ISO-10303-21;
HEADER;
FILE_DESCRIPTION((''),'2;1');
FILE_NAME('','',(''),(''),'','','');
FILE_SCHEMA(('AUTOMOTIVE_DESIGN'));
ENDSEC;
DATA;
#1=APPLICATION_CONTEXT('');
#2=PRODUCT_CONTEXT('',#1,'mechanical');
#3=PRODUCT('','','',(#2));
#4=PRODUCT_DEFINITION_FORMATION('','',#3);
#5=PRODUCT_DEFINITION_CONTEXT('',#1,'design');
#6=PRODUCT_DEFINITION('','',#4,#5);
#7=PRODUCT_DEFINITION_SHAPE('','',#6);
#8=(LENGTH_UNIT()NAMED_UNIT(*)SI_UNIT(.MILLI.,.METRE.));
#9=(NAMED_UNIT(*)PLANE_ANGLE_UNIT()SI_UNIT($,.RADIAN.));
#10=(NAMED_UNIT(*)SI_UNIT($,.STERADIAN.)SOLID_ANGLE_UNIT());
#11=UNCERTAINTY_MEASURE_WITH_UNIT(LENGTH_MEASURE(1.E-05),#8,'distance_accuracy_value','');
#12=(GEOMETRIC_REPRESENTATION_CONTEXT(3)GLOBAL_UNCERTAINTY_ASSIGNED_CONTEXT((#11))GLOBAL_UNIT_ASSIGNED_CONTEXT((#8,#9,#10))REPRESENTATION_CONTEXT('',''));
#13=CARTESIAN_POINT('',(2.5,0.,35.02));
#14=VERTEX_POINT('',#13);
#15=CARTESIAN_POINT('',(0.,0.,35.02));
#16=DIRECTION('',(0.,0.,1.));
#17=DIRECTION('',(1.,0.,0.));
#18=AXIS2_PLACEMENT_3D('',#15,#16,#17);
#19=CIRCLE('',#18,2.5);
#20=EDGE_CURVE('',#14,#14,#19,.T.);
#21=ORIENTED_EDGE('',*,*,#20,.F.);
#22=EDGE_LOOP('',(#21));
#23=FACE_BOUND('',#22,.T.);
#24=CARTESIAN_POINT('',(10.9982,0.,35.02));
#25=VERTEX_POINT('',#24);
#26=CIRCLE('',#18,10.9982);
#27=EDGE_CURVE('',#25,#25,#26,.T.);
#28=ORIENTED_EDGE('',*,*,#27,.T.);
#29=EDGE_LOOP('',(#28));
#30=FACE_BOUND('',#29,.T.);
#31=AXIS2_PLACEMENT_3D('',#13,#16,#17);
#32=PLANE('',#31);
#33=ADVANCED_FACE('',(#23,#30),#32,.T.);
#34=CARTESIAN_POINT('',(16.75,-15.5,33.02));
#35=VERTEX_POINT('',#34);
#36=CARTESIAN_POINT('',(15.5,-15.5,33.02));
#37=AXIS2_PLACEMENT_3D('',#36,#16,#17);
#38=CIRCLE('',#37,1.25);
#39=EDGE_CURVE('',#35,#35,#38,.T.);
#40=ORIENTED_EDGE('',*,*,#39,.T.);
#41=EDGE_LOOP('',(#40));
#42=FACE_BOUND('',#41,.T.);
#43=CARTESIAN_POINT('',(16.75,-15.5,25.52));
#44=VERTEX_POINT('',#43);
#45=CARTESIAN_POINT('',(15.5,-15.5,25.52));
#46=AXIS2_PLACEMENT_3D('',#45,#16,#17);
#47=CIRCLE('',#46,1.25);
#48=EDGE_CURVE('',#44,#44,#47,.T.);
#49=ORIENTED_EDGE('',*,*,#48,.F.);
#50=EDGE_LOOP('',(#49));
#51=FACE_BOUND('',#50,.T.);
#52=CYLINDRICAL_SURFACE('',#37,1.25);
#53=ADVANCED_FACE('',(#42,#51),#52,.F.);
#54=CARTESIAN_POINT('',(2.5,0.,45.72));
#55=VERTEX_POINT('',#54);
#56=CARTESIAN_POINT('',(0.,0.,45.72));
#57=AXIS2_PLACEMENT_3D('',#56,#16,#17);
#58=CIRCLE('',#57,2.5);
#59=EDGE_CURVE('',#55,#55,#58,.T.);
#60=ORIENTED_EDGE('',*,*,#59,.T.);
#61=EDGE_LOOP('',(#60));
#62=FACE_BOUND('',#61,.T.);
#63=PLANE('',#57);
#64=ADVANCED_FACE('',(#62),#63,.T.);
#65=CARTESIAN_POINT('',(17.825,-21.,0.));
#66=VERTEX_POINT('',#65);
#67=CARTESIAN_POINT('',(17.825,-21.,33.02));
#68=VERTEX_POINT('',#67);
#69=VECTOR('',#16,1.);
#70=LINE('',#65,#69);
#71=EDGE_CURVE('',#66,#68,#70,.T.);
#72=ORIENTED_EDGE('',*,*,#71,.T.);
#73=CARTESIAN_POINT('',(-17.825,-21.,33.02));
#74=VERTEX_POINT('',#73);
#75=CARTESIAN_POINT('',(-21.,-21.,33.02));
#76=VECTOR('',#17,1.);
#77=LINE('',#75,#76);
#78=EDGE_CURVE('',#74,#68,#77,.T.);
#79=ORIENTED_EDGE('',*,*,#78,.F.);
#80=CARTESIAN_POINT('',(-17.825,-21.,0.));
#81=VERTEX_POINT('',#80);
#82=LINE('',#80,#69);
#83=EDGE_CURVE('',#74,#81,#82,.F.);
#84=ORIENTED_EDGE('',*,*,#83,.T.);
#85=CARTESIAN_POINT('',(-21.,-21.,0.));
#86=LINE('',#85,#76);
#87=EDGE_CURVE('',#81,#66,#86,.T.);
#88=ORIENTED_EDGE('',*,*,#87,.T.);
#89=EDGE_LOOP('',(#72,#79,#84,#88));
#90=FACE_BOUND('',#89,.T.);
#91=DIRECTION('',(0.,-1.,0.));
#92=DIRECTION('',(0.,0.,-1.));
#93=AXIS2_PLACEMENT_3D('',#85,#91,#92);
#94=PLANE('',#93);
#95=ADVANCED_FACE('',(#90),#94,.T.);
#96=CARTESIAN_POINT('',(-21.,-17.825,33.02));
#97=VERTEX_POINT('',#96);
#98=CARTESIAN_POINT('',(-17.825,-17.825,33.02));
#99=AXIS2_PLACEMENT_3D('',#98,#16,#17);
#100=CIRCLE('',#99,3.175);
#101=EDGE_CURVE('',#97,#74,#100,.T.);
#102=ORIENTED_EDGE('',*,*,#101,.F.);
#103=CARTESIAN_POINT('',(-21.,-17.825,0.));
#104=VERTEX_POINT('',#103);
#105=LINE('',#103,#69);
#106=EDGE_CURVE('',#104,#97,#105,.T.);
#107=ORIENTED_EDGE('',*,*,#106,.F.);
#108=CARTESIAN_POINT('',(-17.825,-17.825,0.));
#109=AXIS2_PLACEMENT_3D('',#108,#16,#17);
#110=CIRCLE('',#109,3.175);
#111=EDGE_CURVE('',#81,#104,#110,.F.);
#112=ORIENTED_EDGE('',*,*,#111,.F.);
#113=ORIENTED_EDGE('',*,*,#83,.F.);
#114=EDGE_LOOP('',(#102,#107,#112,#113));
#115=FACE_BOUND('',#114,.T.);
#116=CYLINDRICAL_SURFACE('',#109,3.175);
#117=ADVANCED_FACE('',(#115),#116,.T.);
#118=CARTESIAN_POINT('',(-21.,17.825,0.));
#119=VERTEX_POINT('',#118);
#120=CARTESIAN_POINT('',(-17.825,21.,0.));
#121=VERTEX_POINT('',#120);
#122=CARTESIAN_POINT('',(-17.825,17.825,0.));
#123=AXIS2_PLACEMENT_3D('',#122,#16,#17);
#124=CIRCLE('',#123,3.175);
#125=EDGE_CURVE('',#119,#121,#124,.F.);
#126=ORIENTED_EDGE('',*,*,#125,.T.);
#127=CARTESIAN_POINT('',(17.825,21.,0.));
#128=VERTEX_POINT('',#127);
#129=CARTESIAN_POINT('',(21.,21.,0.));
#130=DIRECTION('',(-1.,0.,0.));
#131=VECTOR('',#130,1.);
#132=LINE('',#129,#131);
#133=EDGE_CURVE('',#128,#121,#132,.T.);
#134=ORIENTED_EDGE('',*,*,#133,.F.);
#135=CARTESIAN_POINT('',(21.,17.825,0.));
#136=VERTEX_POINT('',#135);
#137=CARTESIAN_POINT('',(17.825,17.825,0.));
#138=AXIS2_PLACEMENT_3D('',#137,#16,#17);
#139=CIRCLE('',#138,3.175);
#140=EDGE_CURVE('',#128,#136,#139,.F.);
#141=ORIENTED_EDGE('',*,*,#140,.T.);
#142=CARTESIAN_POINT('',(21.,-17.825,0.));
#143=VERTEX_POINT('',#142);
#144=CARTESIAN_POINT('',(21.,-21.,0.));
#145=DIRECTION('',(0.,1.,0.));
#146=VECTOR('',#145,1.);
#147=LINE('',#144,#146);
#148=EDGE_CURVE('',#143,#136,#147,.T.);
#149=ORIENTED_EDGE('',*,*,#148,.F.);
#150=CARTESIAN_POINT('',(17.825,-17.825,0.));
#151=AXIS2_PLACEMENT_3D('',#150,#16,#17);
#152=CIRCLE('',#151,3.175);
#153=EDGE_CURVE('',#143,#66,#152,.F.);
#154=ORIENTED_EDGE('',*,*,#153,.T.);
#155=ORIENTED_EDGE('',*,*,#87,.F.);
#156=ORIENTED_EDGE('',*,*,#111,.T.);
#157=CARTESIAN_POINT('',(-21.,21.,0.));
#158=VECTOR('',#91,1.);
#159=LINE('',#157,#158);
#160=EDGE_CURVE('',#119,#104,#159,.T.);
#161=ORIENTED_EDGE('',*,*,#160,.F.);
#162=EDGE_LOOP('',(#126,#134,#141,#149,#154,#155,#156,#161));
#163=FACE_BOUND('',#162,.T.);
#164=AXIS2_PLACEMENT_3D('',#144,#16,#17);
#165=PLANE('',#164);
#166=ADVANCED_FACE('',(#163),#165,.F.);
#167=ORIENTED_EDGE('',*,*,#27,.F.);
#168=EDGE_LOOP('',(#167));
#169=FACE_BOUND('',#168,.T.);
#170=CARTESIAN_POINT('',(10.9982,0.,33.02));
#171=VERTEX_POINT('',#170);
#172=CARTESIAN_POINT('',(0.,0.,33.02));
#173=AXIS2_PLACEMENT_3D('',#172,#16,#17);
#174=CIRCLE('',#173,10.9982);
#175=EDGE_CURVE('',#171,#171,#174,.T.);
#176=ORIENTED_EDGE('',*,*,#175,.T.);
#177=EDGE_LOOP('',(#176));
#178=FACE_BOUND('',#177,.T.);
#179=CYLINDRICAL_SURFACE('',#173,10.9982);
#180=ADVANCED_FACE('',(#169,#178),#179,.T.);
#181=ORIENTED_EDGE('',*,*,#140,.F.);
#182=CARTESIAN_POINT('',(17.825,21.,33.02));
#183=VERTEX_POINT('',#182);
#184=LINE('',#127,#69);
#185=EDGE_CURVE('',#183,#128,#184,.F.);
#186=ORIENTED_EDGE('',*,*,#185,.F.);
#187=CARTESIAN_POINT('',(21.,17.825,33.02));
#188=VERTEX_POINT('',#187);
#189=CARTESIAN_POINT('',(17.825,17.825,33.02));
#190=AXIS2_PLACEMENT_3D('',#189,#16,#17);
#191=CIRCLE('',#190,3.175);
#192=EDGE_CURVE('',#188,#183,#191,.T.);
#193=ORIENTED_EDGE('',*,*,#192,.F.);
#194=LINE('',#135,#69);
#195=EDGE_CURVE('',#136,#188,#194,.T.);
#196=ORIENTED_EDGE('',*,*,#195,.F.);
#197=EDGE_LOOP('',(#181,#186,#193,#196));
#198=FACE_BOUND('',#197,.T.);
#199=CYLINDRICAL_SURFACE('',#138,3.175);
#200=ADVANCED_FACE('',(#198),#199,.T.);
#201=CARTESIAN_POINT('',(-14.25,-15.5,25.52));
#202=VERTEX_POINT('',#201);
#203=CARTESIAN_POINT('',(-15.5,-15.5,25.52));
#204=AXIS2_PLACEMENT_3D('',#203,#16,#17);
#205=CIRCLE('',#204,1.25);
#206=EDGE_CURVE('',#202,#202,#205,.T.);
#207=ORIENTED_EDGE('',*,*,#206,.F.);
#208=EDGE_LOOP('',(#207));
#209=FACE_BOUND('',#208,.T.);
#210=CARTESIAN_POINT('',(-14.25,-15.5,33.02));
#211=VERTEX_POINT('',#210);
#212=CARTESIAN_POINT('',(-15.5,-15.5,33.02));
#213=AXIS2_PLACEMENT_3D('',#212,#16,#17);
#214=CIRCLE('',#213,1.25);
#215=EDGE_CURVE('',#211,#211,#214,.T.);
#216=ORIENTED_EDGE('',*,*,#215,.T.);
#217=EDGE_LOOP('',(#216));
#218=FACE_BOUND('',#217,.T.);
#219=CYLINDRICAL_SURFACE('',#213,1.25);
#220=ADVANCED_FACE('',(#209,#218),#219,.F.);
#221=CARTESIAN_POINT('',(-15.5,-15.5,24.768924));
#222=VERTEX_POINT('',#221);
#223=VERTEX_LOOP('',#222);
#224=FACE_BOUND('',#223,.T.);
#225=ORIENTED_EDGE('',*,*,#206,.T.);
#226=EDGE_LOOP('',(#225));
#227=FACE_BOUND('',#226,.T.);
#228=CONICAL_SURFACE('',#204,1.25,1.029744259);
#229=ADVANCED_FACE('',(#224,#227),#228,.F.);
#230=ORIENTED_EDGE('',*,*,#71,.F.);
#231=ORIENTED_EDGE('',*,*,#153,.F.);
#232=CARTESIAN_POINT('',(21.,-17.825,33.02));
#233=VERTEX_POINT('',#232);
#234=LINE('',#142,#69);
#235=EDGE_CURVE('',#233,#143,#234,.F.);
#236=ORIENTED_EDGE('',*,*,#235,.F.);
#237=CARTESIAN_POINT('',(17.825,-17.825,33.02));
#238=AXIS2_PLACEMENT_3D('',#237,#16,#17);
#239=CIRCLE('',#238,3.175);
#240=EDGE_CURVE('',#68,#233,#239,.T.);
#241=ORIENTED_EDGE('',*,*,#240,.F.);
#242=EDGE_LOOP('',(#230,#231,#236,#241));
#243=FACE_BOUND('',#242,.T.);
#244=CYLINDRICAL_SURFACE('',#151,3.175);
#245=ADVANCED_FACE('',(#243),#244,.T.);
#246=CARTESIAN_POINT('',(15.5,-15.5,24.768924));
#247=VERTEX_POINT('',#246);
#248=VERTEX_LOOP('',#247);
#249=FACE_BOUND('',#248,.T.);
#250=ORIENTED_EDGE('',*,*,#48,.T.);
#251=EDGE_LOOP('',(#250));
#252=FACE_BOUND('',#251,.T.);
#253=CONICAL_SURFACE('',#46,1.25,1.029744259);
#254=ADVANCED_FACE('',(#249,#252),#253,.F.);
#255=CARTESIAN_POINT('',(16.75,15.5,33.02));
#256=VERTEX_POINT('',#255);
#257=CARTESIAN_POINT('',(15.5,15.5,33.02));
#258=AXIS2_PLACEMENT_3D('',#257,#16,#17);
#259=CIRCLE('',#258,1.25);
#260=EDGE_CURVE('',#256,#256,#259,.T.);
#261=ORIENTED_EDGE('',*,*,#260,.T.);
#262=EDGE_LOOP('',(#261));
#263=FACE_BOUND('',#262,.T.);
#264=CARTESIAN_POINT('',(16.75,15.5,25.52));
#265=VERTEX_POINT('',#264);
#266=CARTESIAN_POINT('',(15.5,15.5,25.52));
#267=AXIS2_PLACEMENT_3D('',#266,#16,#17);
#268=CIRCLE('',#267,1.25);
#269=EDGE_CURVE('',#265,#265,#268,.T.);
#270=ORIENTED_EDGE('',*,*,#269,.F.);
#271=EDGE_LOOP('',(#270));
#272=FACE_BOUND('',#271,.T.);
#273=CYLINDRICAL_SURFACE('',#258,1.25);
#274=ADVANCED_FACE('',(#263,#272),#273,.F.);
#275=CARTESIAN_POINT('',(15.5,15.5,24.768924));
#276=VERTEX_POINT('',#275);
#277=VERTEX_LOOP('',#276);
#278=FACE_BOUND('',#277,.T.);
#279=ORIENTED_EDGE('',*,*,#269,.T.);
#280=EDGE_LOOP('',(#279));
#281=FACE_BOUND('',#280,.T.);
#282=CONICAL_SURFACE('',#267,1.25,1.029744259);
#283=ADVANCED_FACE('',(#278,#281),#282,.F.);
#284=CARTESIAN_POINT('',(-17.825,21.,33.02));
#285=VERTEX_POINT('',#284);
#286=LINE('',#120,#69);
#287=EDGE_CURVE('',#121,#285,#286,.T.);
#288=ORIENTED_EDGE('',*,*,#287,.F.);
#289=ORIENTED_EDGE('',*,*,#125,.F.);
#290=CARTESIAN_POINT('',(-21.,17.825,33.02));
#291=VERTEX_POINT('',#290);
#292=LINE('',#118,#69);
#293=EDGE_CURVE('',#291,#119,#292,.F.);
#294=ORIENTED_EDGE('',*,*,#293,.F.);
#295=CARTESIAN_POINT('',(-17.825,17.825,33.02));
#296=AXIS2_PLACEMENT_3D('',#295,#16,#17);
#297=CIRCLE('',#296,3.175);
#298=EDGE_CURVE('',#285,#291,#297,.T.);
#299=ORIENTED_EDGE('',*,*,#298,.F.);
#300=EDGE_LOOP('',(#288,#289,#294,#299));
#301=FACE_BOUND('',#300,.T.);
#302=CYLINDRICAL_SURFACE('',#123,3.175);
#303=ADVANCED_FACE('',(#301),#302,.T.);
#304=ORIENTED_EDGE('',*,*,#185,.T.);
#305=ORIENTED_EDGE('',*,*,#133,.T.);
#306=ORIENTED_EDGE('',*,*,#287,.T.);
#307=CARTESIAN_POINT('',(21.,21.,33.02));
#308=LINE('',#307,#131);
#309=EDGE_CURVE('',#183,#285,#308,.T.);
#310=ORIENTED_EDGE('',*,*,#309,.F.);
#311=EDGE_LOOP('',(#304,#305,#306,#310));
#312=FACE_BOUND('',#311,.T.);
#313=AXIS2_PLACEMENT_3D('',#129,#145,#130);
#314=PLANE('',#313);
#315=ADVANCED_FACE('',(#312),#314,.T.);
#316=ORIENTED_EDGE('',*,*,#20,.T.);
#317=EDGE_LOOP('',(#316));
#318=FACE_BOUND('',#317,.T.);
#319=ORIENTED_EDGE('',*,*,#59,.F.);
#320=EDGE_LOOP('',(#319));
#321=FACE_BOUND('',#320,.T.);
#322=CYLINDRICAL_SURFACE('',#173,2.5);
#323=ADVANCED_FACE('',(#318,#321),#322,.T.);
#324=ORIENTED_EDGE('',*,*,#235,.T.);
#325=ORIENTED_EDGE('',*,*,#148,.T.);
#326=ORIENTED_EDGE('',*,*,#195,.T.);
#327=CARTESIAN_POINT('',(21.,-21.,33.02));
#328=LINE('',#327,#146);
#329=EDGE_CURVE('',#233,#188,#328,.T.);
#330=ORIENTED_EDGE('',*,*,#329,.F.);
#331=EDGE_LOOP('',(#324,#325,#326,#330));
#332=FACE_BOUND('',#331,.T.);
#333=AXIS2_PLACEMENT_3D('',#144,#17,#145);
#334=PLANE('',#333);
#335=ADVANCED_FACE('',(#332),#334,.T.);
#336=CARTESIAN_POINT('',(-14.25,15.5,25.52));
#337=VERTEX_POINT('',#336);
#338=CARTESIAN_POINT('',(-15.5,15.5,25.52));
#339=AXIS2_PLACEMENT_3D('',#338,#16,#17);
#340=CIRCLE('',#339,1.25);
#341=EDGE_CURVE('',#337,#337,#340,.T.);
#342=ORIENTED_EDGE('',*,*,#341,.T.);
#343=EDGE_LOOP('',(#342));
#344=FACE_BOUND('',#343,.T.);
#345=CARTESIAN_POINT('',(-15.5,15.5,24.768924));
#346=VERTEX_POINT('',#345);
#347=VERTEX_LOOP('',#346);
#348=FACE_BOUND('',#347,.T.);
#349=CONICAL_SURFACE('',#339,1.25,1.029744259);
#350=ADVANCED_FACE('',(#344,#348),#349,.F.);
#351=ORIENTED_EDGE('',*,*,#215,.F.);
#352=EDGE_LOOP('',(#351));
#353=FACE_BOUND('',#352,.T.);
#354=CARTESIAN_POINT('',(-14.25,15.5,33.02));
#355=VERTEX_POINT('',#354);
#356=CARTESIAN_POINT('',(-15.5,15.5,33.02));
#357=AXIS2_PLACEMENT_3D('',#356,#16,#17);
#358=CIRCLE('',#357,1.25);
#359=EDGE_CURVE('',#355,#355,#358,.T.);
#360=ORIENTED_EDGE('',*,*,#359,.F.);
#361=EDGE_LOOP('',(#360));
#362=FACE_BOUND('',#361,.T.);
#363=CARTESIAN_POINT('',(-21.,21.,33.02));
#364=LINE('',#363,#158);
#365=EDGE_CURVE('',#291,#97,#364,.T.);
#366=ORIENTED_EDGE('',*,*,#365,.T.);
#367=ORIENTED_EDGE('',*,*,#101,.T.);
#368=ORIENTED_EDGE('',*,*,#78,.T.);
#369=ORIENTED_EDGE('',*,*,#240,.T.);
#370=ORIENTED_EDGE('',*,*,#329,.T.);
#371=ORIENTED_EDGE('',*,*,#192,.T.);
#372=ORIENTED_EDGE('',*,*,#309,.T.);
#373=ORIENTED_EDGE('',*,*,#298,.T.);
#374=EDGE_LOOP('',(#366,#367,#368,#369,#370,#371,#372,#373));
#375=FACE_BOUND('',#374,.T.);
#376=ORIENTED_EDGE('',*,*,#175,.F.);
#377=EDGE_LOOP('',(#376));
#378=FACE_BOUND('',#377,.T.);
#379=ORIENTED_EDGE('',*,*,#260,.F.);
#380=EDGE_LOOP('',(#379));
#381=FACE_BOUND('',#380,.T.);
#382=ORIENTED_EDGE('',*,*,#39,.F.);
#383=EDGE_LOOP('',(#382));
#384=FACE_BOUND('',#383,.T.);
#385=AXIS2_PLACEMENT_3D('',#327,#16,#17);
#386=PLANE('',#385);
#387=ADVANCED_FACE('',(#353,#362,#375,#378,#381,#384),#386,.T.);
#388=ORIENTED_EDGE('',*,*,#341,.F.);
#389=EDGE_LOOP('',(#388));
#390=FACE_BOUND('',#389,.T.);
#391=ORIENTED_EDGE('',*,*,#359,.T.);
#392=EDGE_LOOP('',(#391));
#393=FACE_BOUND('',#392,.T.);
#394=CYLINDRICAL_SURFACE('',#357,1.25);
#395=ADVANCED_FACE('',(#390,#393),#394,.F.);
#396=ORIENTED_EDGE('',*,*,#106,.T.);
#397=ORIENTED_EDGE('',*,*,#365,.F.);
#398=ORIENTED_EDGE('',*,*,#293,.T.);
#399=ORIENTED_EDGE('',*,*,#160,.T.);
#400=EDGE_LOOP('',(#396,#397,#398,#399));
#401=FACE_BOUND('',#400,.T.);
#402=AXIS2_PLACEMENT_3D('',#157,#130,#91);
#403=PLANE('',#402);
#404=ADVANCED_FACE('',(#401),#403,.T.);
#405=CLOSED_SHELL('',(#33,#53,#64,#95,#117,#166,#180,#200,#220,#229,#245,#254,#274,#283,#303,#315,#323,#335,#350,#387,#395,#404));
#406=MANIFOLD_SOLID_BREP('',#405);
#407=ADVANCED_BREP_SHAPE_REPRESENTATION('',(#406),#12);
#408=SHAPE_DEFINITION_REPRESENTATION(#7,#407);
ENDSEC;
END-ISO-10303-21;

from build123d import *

# Parameters (mm, degrees)
SKETCH1_W                 = 42
SKETCH1_H                 = 42
BOSS_EXTRUDE1_DEPTH       = 33.02
M3X0_5_TAPPED_HOLE1_D     = 2.5
M3X0_5_TAPPED_HOLE1_DEPTH = 7.5
M3X0_5_TAPPED_HOLE1_TIP   = 0.751075774
FILLET1_R                 = 3.175


with BuildPart() as part:
    # Sketch1 → Boss-Extrude1 (new body)
    with BuildSketch(Plane.XY.offset(33.02)):
        Rectangle(SKETCH1_W, SKETCH1_H)
    extrude(amount=-BOSS_EXTRUDE1_DEPTH)

    # Sketch6 → Revolve5 (revolve)
    with BuildSketch(Plane(origin=(0, 0, 0), x_dir=(1, 0, 0), z_dir=(0, 1, 0))):
        Polygon((10.9982, -33.02), (0, -33.02), (0, -45.72), (2.5, -45.72), (2.5, -35.02), (10.9982, -35.02), align=None)
    revolve(axis=Axis((0, 0, 33.02), (0, 0, 1)))

    # M3x0.5 Tapped Hole1
    with Locations(Plane.XY.offset(33.02)):
        with Locations((-15.5, 15.5), (-15.5, -15.5), (15.5, -15.5), (15.5, 15.5)):
            Hole(M3X0_5_TAPPED_HOLE1_D / 2, depth=M3X0_5_TAPPED_HOLE1_DEPTH)
            with Locations((0, 0, -(M3X0_5_TAPPED_HOLE1_DEPTH + M3X0_5_TAPPED_HOLE1_TIP / 2))):  # 118° drill point
                Cone(0, M3X0_5_TAPPED_HOLE1_D / 2, M3X0_5_TAPPED_HOLE1_TIP, mode=Mode.SUBTRACT)

    # Fillet1
    fillet1_edges = [part.edges().sort_by_distance(p)[0] for p in [
        (-21, -21, 16.51),
        (-21, 21, 16.51),
        (21, 21, 16.51),
        (21, -21, 16.51),
    ]]
    fillet(fillet1_edges, radius=FILLET1_R)


solid = part.part
